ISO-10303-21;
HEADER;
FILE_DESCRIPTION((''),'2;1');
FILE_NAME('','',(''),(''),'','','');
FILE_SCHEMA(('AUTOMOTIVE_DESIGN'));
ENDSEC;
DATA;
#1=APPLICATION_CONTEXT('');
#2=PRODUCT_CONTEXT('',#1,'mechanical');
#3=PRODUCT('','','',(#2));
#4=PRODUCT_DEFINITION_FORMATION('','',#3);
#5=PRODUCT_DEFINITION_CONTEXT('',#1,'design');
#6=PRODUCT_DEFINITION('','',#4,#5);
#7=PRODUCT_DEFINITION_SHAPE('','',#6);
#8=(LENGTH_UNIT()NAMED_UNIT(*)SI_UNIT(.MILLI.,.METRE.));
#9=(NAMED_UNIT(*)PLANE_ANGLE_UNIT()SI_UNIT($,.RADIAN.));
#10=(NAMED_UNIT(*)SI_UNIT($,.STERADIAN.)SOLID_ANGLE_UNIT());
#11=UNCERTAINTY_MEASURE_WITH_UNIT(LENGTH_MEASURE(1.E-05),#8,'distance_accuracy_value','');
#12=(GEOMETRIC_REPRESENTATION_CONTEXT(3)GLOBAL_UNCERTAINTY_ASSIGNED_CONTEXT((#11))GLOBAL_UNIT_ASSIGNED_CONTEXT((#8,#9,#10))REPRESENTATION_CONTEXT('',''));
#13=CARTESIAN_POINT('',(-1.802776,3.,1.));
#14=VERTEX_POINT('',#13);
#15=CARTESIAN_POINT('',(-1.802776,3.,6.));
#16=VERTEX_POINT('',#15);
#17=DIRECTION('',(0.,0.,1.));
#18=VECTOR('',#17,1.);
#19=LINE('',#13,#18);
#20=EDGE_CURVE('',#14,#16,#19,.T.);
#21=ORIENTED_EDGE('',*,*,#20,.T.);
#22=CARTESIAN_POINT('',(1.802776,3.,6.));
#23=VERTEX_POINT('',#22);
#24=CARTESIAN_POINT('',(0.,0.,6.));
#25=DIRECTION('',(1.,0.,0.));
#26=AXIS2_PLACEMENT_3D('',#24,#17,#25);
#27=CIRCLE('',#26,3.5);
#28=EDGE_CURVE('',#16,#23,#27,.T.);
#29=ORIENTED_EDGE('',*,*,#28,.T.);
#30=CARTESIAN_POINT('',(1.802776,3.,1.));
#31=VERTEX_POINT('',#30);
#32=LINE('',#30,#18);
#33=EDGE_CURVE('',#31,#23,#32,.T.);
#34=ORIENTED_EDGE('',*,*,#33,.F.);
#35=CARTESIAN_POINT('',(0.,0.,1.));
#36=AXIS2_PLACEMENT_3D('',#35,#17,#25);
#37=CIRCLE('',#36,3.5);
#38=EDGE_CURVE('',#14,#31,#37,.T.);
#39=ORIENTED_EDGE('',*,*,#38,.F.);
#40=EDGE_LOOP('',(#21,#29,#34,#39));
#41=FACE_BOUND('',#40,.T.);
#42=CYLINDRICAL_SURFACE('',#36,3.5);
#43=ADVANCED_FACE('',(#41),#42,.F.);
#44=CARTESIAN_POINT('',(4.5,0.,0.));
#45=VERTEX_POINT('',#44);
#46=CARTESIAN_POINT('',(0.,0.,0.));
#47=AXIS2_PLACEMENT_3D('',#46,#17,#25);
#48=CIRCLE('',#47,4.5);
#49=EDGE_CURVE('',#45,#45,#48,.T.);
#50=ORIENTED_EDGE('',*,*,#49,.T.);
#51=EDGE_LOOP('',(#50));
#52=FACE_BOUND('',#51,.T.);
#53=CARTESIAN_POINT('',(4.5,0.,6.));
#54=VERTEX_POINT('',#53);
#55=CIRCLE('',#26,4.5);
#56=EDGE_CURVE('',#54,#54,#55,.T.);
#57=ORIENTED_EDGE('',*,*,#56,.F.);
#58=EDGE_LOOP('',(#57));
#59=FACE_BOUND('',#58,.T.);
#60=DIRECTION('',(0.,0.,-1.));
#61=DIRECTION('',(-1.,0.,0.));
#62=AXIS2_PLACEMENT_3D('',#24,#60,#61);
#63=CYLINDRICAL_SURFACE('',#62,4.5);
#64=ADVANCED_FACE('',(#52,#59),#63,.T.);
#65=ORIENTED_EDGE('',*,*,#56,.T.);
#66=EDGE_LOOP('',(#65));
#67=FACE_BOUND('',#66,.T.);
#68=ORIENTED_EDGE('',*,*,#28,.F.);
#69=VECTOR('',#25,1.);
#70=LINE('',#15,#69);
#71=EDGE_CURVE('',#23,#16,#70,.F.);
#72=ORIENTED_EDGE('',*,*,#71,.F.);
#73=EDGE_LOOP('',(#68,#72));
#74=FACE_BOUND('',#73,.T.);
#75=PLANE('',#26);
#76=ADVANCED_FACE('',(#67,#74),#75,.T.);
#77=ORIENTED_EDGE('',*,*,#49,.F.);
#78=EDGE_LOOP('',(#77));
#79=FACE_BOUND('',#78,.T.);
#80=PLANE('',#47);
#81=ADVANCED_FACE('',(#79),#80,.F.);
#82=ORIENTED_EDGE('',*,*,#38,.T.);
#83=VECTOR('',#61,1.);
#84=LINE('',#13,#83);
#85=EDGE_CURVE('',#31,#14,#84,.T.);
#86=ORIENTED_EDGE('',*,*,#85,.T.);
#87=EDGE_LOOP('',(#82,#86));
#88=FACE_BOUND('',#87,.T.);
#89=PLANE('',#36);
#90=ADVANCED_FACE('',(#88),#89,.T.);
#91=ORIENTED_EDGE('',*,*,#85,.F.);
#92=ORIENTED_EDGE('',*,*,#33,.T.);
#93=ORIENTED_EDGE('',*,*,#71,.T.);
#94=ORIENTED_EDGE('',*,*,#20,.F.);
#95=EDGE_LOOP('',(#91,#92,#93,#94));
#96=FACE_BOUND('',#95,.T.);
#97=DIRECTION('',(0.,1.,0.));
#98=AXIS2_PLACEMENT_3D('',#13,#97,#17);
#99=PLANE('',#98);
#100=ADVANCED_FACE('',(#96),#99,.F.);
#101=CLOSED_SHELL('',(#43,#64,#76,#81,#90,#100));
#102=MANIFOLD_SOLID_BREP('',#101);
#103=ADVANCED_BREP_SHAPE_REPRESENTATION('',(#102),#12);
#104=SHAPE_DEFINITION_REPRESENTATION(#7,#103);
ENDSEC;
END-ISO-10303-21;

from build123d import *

# Parameters (mm, degrees)
SKETCH1_R               = 4.5
BOSS_EXTRUDE1_DEPTH     = 6
CUT_EXTRUDE1_DEPTH      = 9.746427842
CUT_EXTRUDE1_DEPTH_BACK = 5


with BuildPart() as part:
    # Sketch1 → Boss-Extrude1 (new body)
    with BuildSketch(Plane.XY):
        Circle(SKETCH1_R)
    extrude(amount=BOSS_EXTRUDE1_DEPTH)

    # Sketch2 → Cut-Extrude1 (cut, two sides: drawn at the far end of the back side and taken through both)
    with BuildSketch(Plane.XY.offset(6).offset(-CUT_EXTRUDE1_DEPTH_BACK)):
        with BuildLine():
            Line((-1.802775638, 3), (1.802775638, 3))
            ThreePointArc((1.802775638, 3), (0, -3.5), (-1.802775638, 3))
        make_face()
    extrude(amount=CUT_EXTRUDE1_DEPTH + CUT_EXTRUDE1_DEPTH_BACK, mode=Mode.SUBTRACT)


solid = part.part
